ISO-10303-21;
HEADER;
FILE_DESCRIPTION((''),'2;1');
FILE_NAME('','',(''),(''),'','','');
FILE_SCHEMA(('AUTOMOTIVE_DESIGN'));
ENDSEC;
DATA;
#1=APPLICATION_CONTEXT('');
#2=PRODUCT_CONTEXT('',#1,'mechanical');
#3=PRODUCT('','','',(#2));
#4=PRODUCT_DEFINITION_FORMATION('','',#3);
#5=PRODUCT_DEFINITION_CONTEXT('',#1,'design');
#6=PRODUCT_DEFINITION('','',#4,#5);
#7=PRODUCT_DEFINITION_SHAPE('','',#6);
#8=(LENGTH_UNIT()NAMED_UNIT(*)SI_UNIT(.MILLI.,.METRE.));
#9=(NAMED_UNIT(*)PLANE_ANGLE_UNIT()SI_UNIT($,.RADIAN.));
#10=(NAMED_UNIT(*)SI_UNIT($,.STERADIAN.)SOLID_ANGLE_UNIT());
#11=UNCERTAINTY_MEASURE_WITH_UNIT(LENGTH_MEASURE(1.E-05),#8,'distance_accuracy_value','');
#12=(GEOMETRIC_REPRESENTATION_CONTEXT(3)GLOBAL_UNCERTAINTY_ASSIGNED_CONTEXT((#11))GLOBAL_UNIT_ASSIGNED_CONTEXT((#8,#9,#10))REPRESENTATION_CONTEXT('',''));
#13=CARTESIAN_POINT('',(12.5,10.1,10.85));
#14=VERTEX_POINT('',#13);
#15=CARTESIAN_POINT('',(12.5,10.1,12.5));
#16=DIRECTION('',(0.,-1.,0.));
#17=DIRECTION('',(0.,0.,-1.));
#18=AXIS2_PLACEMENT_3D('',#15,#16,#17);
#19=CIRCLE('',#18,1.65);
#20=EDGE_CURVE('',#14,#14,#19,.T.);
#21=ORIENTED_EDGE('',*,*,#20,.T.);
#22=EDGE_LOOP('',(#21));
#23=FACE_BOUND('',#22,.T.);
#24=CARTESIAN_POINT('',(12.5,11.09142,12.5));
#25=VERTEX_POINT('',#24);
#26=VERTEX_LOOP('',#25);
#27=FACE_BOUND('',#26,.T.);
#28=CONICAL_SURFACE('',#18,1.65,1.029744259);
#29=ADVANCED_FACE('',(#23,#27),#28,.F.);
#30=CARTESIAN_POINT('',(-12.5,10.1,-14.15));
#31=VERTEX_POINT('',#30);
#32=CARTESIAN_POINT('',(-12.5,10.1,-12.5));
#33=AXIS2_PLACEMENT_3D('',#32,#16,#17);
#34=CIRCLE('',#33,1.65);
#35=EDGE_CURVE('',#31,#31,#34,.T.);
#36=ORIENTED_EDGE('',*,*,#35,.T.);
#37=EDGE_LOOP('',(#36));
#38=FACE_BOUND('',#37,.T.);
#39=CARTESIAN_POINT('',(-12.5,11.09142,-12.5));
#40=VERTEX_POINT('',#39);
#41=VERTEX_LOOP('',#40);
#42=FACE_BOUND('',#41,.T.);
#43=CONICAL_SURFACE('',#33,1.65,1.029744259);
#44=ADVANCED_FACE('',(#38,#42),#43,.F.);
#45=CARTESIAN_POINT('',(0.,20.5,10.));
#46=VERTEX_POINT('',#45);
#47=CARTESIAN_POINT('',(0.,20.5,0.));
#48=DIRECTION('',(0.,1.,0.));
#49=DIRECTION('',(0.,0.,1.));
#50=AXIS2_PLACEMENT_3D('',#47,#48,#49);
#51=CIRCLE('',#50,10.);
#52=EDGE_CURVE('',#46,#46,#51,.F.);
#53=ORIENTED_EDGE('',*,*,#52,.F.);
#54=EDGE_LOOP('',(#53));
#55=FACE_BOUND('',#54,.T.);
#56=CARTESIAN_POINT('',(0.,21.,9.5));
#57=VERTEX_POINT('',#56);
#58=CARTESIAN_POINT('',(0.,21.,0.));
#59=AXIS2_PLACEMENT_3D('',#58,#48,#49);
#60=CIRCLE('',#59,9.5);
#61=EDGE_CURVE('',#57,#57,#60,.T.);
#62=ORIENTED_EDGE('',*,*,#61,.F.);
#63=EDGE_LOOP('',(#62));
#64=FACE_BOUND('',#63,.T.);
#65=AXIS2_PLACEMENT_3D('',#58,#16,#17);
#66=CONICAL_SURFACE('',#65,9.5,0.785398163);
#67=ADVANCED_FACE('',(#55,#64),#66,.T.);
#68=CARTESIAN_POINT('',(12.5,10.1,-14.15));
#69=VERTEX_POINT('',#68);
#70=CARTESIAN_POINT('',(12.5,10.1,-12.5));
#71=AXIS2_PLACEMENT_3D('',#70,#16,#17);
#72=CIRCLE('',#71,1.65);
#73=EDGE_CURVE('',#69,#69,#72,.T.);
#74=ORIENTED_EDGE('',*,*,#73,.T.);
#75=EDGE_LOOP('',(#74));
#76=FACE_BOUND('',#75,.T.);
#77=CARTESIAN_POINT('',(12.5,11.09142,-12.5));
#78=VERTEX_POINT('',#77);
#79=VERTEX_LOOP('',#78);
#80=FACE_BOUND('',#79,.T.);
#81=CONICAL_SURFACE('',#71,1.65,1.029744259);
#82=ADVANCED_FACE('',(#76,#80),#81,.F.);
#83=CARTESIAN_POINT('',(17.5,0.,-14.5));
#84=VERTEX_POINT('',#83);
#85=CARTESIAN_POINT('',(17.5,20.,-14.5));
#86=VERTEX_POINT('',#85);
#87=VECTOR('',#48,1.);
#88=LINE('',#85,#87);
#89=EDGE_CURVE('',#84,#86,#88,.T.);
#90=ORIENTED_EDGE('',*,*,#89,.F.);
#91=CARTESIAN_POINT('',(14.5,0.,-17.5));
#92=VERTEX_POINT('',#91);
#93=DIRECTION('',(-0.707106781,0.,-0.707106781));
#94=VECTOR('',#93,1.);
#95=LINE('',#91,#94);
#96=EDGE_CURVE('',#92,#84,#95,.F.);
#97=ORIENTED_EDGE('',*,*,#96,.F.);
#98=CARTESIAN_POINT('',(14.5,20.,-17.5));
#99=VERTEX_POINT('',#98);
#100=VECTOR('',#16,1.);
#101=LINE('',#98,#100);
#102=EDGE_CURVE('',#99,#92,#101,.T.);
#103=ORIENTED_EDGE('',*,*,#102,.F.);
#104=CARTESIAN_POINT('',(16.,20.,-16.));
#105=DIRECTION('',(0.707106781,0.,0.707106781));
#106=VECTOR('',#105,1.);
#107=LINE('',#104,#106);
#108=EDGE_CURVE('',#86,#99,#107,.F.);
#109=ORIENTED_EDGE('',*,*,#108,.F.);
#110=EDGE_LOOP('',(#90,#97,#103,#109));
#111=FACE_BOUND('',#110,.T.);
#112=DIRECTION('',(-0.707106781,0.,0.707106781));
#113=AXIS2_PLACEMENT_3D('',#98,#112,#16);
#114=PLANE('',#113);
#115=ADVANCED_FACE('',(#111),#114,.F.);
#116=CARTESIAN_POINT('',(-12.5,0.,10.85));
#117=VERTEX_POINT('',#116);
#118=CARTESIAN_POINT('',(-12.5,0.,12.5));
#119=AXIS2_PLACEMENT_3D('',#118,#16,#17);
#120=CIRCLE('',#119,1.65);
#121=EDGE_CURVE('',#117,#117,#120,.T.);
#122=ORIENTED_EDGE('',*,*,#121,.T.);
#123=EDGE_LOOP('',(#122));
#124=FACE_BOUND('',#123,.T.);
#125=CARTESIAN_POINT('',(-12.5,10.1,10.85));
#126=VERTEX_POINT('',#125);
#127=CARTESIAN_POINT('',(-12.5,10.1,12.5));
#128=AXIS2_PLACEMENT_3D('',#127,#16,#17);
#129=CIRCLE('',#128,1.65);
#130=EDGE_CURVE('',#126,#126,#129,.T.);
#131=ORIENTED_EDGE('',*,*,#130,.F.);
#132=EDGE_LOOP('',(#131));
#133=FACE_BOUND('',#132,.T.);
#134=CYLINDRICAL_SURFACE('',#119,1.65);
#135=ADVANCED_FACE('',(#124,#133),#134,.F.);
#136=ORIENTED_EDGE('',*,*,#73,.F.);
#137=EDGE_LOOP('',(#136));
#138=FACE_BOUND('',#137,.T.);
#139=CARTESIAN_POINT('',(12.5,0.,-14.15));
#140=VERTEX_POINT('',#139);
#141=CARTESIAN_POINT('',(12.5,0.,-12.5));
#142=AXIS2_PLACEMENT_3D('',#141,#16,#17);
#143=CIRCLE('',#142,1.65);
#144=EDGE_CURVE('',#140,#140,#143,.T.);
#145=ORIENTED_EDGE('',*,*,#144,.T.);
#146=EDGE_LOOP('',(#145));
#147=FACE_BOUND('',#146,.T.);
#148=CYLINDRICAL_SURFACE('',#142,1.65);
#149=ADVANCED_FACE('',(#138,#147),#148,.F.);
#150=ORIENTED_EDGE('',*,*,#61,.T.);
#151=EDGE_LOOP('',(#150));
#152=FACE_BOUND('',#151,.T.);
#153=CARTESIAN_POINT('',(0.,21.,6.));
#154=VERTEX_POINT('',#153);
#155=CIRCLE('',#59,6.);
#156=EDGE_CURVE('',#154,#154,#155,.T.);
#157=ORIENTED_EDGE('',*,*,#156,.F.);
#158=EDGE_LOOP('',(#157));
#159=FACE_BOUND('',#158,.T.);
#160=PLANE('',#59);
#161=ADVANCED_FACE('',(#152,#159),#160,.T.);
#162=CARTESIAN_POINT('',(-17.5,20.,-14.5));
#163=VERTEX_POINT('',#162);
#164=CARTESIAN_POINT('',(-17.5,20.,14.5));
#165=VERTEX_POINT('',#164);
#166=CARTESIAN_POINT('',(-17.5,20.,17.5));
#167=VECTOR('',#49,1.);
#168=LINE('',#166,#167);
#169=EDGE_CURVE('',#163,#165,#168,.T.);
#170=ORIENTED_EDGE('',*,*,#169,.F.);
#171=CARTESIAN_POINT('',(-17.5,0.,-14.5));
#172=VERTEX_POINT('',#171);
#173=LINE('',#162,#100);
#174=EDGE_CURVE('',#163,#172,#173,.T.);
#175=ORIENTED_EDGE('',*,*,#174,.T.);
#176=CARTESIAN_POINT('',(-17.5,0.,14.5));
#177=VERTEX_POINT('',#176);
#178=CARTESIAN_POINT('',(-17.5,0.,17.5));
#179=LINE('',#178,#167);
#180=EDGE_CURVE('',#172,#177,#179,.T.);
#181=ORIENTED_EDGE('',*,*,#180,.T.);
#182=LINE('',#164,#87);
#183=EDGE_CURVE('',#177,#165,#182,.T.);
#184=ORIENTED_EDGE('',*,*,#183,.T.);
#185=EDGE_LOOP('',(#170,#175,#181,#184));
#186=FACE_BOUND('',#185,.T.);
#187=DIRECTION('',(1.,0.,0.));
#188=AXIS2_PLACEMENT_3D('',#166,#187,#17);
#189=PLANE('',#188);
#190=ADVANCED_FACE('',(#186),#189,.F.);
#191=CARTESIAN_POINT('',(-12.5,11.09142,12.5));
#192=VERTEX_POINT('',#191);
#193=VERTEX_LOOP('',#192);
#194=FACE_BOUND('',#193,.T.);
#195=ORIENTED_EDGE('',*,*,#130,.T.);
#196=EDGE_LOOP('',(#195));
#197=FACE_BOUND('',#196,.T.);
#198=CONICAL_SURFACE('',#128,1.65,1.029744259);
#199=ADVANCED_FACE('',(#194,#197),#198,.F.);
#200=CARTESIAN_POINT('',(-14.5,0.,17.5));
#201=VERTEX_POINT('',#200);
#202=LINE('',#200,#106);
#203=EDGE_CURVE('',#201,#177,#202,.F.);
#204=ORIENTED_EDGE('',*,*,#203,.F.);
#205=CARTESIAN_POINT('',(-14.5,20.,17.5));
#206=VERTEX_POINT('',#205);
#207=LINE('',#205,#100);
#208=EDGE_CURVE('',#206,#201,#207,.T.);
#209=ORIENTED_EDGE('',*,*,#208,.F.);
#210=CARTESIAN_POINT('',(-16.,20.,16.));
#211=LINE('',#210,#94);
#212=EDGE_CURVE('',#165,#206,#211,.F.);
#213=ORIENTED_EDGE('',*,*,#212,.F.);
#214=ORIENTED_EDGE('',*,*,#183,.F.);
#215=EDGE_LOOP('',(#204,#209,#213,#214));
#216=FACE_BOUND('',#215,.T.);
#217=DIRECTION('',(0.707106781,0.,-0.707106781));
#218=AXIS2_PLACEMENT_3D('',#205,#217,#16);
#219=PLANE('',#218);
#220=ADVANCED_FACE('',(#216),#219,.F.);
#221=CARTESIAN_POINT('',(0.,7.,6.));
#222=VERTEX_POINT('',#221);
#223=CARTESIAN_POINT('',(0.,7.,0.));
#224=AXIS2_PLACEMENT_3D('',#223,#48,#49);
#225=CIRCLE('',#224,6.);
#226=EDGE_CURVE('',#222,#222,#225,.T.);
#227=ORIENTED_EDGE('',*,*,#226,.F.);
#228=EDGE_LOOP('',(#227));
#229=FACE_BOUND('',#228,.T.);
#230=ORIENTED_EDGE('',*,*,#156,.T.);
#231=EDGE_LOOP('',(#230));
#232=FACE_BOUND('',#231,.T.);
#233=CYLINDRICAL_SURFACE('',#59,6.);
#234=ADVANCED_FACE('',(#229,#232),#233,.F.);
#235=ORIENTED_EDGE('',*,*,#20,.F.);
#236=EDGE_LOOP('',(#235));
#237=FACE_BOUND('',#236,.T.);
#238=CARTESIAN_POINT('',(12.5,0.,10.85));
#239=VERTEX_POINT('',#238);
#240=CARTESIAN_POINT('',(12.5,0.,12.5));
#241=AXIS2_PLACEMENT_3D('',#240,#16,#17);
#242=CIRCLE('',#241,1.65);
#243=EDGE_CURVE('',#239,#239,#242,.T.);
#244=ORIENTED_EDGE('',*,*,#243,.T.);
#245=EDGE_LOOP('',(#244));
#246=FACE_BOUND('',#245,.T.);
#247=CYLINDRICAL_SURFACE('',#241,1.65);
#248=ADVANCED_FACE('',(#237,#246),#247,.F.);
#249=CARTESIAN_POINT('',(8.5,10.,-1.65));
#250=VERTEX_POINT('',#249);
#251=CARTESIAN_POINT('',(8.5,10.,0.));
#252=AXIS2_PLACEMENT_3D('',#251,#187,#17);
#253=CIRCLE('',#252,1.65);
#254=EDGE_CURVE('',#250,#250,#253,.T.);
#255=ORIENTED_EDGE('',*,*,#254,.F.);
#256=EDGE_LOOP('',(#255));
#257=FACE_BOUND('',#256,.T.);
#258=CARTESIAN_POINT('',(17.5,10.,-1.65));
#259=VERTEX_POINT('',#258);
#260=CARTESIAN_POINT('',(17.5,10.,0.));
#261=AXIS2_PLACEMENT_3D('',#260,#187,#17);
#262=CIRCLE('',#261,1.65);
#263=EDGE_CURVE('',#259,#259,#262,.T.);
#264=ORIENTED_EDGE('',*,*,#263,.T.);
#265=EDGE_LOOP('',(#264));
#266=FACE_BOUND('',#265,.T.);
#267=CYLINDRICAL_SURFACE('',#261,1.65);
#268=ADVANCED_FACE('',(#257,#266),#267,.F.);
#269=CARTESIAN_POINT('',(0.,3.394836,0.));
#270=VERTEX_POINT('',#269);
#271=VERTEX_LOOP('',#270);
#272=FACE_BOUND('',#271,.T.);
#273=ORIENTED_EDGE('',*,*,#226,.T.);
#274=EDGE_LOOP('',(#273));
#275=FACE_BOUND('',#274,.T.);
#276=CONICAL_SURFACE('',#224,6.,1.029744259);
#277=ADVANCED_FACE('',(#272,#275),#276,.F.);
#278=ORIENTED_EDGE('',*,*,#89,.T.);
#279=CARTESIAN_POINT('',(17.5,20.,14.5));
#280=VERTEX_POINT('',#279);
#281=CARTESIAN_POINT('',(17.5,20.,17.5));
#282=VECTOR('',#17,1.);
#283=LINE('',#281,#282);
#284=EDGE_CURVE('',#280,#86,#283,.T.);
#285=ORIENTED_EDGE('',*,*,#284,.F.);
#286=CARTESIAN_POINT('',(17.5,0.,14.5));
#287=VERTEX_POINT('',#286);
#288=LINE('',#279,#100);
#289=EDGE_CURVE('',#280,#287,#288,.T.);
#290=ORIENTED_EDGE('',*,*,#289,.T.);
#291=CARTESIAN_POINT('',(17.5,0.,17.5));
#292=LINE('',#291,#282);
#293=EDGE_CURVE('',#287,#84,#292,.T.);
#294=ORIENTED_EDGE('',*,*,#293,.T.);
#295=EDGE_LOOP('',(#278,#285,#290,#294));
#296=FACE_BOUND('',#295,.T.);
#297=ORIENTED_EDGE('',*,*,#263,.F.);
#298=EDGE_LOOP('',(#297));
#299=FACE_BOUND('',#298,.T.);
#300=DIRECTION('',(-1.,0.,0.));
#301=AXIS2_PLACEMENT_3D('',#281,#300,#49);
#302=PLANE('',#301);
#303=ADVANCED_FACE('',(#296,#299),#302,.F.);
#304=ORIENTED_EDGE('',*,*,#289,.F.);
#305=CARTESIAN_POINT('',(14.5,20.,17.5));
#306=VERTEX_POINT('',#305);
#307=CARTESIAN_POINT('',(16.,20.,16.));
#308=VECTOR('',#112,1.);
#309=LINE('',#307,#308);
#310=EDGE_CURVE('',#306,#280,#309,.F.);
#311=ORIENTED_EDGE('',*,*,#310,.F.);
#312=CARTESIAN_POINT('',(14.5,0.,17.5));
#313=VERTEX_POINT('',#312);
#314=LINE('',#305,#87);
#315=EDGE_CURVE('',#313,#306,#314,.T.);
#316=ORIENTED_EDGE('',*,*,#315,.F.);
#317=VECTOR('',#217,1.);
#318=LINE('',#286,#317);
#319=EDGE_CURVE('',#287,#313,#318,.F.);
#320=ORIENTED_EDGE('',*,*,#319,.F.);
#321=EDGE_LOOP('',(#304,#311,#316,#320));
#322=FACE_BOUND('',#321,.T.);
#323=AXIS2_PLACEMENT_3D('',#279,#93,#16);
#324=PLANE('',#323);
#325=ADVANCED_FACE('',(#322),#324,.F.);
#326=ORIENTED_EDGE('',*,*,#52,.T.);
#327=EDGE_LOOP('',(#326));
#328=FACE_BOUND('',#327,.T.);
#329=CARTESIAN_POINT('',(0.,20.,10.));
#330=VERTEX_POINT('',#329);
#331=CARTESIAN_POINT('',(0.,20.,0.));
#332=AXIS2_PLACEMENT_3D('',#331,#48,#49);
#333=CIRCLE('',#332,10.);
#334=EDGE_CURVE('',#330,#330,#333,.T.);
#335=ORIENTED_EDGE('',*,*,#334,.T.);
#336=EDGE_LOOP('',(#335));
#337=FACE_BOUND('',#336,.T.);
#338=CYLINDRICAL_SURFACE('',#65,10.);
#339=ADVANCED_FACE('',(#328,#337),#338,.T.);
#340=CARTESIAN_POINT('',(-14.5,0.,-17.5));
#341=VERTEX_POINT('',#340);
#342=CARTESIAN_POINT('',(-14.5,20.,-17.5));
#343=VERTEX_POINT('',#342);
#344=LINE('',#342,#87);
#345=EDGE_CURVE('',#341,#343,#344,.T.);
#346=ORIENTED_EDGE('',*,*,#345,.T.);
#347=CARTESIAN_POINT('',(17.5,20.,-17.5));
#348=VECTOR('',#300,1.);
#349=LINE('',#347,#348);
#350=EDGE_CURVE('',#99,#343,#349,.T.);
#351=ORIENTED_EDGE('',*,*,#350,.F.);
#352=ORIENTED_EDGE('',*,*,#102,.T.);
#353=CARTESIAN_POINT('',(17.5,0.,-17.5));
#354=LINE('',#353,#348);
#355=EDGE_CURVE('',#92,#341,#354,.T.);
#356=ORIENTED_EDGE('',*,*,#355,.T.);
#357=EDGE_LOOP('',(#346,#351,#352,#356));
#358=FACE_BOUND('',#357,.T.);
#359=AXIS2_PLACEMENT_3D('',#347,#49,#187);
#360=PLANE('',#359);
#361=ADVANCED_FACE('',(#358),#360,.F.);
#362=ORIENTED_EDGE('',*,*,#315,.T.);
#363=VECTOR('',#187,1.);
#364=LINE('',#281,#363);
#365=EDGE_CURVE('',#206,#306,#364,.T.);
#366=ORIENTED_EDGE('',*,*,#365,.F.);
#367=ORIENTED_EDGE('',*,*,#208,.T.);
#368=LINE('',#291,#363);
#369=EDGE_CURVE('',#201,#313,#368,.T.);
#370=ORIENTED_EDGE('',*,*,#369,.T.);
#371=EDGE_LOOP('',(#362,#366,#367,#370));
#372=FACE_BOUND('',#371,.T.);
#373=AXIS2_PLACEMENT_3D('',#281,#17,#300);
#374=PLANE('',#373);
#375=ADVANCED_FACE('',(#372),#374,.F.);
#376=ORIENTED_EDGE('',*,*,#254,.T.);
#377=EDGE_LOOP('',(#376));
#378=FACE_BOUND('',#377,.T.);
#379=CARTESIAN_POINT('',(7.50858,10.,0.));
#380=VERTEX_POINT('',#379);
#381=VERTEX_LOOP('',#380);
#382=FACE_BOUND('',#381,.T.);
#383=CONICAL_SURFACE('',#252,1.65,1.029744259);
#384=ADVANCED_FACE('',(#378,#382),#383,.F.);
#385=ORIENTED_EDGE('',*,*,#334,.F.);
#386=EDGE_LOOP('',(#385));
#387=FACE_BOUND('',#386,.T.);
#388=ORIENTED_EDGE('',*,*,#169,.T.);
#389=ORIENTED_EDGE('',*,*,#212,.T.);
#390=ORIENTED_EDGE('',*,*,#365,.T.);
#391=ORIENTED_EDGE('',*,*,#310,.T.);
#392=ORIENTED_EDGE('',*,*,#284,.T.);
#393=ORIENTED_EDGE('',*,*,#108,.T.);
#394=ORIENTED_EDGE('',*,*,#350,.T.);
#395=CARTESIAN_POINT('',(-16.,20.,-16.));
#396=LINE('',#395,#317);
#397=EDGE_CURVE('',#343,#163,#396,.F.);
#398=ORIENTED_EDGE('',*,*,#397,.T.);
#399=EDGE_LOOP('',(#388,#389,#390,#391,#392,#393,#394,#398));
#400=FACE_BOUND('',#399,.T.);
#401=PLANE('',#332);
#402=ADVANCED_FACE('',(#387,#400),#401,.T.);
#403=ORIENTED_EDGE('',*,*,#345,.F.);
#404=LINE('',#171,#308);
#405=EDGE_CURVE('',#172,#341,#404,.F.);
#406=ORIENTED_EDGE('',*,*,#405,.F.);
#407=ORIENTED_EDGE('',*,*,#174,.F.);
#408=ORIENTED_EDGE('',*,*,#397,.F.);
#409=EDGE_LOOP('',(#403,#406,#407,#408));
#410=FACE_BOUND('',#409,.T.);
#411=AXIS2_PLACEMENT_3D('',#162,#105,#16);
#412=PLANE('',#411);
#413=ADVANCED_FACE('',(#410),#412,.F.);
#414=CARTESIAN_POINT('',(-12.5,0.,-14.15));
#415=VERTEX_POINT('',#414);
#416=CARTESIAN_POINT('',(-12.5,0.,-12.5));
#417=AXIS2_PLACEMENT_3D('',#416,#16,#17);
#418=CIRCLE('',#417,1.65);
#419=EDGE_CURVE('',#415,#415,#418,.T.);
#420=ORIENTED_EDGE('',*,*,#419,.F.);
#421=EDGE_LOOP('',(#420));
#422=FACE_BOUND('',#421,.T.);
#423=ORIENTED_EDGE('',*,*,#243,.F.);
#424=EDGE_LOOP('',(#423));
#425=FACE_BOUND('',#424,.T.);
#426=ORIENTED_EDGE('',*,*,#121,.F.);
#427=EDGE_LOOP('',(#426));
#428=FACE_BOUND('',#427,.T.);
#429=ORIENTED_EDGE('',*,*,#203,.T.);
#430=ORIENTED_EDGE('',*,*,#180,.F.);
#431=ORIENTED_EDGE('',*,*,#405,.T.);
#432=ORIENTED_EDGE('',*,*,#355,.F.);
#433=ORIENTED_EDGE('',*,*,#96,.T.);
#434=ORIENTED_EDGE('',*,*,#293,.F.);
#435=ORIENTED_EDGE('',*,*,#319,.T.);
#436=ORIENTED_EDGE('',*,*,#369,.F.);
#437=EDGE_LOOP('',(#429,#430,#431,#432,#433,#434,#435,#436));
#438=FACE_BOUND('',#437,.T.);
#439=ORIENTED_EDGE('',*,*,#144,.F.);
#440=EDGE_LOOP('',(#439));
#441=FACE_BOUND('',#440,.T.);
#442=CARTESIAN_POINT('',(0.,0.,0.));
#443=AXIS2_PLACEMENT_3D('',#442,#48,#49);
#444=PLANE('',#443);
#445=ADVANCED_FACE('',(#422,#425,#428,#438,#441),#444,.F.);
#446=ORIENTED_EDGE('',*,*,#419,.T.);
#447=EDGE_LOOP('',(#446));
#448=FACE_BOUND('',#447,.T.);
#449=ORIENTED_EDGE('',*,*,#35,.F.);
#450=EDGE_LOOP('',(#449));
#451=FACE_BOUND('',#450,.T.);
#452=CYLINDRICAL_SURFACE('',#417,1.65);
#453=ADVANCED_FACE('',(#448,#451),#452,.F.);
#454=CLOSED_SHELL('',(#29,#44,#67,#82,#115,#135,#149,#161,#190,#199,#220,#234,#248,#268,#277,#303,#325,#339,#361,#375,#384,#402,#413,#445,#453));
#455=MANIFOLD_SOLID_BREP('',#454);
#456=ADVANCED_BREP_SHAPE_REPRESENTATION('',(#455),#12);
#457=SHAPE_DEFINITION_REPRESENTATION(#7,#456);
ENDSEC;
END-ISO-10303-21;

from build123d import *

# Parameters (mm, degrees)
SKETCH1_W              = 35
SKETCH1_H              = 35
BOSS_EXTRUDE1_DEPTH    = 20
SKETCH2_R              = 10
BOSS_EXTRUDE2_DEPTH    = 1
M14_TAPPED_HOLE1_D     = 12
M14_TAPPED_HOLE1_DEPTH = 14
M14_TAPPED_HOLE1_TIP   = 3.605163714
M4_TAPPED_HOLE1_D      = 3.3
M4_TAPPED_HOLE1_DEPTH  = 10.1
M4_TAPPED_HOLE1_TIP    = 0.991420021
M4_TAPPED_HOLE2_D      = 3.3
M4_TAPPED_HOLE2_DEPTH  = 9
M4_TAPPED_HOLE2_TIP    = 0.991420021
CHAMFER1_SIZE          = 3
CHAMFER2_SIZE          = 0.5


with BuildPart() as part:
    # Sketch1 → Boss-Extrude1 (new body)
    with BuildSketch(Plane(origin=(0, 0, 0), x_dir=(1, 0, 0), z_dir=(0, 1, 0))):
        Rectangle(SKETCH1_W, SKETCH1_H)
    extrude(amount=BOSS_EXTRUDE1_DEPTH)

    # Sketch2 → Boss-Extrude2 (add)
    with BuildSketch(Plane(origin=(0, 20, 0), x_dir=(1, 0, 0), z_dir=(0, 1, 0))):
        with Locations(Location((0, 0, 0), (0, 0, 270))):
            Circle(SKETCH2_R)
    extrude(amount=BOSS_EXTRUDE2_DEPTH)

    # M14 Tapped Hole1
    with Locations(Plane(origin=(0, 21, 0), x_dir=(1, 0, 0), z_dir=(0, 1, 0))):
        with Locations((0, 0)):
            Hole(M14_TAPPED_HOLE1_D / 2, depth=M14_TAPPED_HOLE1_DEPTH)
            with Locations((0, 0, -(M14_TAPPED_HOLE1_DEPTH + M14_TAPPED_HOLE1_TIP / 2))):  # 118° drill point
                Cone(0, M14_TAPPED_HOLE1_D / 2, M14_TAPPED_HOLE1_TIP, mode=Mode.SUBTRACT)

    # M4 Tapped Hole1
    with Locations(Plane(origin=(0, 0, 0), x_dir=(-1, 0, 0), z_dir=(0, -1, 0))):
        with Locations((-12.5, 12.5), (-12.5, -12.5), (12.5, -12.5), (12.5, 12.5)):
            Hole(M4_TAPPED_HOLE1_D / 2, depth=M4_TAPPED_HOLE1_DEPTH)
            with Locations((0, 0, -(M4_TAPPED_HOLE1_DEPTH + M4_TAPPED_HOLE1_TIP / 2))):  # 118° drill point
                Cone(0, M4_TAPPED_HOLE1_D / 2, M4_TAPPED_HOLE1_TIP, mode=Mode.SUBTRACT)

    # M4 Tapped Hole2
    with Locations(Plane(origin=(17.5, 0, 0), x_dir=(0, 0, -1), z_dir=(1, 0, 0))):
        with Locations((0, 10)):
            Hole(M4_TAPPED_HOLE2_D / 2, depth=M4_TAPPED_HOLE2_DEPTH)
            with Locations((0, 0, -(M4_TAPPED_HOLE2_DEPTH + M4_TAPPED_HOLE2_TIP / 2))):  # 118° drill point
                Cone(0, M4_TAPPED_HOLE2_D / 2, M4_TAPPED_HOLE2_TIP, mode=Mode.SUBTRACT)

    # Chamfer1
    chamfer1_edges = [part.edges().sort_by_distance(p)[0] for p in [
        (-17.5, 10, -17.5),
        (17.5, 10, -17.5),
        (17.5, 10, 17.5),
        (-17.5, 10, 17.5),
    ]]
    chamfer(chamfer1_edges, length=CHAMFER1_SIZE)

    # Chamfer2
    chamfer2_edges = [part.edges().sort_by_distance(p)[0] for p in [
        (0, 21, -10),
    ]]
    chamfer(chamfer2_edges, length=CHAMFER2_SIZE)


solid = part.part
